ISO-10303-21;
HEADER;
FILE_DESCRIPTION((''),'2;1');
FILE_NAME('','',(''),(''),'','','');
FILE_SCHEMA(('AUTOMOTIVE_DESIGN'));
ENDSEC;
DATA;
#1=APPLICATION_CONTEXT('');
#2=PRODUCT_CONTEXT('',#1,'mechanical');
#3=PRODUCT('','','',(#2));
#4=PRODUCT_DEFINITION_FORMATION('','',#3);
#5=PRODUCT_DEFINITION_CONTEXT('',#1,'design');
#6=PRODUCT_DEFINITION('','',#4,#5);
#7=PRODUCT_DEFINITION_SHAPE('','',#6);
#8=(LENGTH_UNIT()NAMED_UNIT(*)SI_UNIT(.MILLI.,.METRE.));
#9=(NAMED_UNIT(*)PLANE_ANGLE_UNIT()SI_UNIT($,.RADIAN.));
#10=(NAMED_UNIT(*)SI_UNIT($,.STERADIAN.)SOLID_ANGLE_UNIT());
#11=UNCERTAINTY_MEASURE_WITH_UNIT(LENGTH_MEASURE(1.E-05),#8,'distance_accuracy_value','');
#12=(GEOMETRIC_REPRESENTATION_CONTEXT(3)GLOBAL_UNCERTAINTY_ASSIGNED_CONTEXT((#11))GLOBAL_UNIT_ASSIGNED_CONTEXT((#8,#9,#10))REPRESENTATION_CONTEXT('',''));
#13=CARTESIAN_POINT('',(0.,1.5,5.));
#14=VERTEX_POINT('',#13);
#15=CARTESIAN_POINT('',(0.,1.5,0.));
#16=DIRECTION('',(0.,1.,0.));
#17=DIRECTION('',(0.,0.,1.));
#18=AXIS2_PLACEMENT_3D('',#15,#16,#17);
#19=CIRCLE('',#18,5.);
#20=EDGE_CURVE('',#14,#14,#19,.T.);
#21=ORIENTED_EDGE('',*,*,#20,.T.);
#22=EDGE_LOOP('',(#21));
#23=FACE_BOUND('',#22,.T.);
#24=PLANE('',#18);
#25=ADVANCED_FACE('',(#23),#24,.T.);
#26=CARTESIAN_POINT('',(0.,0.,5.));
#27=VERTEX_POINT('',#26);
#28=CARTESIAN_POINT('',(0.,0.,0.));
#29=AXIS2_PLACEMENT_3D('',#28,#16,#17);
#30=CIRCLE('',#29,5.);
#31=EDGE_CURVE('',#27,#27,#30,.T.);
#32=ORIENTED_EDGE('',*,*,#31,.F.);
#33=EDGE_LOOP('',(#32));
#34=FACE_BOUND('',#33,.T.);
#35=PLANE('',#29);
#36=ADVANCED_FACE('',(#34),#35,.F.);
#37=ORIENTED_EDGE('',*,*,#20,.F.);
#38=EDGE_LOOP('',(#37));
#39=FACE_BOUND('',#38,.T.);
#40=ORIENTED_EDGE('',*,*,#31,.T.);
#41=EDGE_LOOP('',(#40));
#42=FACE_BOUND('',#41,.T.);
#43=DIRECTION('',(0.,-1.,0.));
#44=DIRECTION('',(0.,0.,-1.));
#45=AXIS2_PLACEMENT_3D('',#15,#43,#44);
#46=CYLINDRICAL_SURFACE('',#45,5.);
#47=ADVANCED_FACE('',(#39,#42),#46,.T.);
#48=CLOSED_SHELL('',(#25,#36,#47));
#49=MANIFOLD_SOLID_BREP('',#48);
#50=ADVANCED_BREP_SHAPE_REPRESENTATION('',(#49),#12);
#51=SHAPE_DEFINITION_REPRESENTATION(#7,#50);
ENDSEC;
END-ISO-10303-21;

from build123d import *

# Parameters (mm, degrees)
ESQUISSE1_R        = 5
BOSS_EXTRU_1_DEPTH = 1.5


with BuildPart() as part:
    # Esquisse1 → Boss.-Extru.1 (new body)
    with BuildSketch(Plane(origin=(0, 0, 0), x_dir=(-1, 0, 0), z_dir=(0, 1, 0))):
        with Locations(Location((0, 0, 0), (0, 0, 90))):
            Circle(ESQUISSE1_R)
    extrude(amount=BOSS_EXTRU_1_DEPTH)


solid = part.part
